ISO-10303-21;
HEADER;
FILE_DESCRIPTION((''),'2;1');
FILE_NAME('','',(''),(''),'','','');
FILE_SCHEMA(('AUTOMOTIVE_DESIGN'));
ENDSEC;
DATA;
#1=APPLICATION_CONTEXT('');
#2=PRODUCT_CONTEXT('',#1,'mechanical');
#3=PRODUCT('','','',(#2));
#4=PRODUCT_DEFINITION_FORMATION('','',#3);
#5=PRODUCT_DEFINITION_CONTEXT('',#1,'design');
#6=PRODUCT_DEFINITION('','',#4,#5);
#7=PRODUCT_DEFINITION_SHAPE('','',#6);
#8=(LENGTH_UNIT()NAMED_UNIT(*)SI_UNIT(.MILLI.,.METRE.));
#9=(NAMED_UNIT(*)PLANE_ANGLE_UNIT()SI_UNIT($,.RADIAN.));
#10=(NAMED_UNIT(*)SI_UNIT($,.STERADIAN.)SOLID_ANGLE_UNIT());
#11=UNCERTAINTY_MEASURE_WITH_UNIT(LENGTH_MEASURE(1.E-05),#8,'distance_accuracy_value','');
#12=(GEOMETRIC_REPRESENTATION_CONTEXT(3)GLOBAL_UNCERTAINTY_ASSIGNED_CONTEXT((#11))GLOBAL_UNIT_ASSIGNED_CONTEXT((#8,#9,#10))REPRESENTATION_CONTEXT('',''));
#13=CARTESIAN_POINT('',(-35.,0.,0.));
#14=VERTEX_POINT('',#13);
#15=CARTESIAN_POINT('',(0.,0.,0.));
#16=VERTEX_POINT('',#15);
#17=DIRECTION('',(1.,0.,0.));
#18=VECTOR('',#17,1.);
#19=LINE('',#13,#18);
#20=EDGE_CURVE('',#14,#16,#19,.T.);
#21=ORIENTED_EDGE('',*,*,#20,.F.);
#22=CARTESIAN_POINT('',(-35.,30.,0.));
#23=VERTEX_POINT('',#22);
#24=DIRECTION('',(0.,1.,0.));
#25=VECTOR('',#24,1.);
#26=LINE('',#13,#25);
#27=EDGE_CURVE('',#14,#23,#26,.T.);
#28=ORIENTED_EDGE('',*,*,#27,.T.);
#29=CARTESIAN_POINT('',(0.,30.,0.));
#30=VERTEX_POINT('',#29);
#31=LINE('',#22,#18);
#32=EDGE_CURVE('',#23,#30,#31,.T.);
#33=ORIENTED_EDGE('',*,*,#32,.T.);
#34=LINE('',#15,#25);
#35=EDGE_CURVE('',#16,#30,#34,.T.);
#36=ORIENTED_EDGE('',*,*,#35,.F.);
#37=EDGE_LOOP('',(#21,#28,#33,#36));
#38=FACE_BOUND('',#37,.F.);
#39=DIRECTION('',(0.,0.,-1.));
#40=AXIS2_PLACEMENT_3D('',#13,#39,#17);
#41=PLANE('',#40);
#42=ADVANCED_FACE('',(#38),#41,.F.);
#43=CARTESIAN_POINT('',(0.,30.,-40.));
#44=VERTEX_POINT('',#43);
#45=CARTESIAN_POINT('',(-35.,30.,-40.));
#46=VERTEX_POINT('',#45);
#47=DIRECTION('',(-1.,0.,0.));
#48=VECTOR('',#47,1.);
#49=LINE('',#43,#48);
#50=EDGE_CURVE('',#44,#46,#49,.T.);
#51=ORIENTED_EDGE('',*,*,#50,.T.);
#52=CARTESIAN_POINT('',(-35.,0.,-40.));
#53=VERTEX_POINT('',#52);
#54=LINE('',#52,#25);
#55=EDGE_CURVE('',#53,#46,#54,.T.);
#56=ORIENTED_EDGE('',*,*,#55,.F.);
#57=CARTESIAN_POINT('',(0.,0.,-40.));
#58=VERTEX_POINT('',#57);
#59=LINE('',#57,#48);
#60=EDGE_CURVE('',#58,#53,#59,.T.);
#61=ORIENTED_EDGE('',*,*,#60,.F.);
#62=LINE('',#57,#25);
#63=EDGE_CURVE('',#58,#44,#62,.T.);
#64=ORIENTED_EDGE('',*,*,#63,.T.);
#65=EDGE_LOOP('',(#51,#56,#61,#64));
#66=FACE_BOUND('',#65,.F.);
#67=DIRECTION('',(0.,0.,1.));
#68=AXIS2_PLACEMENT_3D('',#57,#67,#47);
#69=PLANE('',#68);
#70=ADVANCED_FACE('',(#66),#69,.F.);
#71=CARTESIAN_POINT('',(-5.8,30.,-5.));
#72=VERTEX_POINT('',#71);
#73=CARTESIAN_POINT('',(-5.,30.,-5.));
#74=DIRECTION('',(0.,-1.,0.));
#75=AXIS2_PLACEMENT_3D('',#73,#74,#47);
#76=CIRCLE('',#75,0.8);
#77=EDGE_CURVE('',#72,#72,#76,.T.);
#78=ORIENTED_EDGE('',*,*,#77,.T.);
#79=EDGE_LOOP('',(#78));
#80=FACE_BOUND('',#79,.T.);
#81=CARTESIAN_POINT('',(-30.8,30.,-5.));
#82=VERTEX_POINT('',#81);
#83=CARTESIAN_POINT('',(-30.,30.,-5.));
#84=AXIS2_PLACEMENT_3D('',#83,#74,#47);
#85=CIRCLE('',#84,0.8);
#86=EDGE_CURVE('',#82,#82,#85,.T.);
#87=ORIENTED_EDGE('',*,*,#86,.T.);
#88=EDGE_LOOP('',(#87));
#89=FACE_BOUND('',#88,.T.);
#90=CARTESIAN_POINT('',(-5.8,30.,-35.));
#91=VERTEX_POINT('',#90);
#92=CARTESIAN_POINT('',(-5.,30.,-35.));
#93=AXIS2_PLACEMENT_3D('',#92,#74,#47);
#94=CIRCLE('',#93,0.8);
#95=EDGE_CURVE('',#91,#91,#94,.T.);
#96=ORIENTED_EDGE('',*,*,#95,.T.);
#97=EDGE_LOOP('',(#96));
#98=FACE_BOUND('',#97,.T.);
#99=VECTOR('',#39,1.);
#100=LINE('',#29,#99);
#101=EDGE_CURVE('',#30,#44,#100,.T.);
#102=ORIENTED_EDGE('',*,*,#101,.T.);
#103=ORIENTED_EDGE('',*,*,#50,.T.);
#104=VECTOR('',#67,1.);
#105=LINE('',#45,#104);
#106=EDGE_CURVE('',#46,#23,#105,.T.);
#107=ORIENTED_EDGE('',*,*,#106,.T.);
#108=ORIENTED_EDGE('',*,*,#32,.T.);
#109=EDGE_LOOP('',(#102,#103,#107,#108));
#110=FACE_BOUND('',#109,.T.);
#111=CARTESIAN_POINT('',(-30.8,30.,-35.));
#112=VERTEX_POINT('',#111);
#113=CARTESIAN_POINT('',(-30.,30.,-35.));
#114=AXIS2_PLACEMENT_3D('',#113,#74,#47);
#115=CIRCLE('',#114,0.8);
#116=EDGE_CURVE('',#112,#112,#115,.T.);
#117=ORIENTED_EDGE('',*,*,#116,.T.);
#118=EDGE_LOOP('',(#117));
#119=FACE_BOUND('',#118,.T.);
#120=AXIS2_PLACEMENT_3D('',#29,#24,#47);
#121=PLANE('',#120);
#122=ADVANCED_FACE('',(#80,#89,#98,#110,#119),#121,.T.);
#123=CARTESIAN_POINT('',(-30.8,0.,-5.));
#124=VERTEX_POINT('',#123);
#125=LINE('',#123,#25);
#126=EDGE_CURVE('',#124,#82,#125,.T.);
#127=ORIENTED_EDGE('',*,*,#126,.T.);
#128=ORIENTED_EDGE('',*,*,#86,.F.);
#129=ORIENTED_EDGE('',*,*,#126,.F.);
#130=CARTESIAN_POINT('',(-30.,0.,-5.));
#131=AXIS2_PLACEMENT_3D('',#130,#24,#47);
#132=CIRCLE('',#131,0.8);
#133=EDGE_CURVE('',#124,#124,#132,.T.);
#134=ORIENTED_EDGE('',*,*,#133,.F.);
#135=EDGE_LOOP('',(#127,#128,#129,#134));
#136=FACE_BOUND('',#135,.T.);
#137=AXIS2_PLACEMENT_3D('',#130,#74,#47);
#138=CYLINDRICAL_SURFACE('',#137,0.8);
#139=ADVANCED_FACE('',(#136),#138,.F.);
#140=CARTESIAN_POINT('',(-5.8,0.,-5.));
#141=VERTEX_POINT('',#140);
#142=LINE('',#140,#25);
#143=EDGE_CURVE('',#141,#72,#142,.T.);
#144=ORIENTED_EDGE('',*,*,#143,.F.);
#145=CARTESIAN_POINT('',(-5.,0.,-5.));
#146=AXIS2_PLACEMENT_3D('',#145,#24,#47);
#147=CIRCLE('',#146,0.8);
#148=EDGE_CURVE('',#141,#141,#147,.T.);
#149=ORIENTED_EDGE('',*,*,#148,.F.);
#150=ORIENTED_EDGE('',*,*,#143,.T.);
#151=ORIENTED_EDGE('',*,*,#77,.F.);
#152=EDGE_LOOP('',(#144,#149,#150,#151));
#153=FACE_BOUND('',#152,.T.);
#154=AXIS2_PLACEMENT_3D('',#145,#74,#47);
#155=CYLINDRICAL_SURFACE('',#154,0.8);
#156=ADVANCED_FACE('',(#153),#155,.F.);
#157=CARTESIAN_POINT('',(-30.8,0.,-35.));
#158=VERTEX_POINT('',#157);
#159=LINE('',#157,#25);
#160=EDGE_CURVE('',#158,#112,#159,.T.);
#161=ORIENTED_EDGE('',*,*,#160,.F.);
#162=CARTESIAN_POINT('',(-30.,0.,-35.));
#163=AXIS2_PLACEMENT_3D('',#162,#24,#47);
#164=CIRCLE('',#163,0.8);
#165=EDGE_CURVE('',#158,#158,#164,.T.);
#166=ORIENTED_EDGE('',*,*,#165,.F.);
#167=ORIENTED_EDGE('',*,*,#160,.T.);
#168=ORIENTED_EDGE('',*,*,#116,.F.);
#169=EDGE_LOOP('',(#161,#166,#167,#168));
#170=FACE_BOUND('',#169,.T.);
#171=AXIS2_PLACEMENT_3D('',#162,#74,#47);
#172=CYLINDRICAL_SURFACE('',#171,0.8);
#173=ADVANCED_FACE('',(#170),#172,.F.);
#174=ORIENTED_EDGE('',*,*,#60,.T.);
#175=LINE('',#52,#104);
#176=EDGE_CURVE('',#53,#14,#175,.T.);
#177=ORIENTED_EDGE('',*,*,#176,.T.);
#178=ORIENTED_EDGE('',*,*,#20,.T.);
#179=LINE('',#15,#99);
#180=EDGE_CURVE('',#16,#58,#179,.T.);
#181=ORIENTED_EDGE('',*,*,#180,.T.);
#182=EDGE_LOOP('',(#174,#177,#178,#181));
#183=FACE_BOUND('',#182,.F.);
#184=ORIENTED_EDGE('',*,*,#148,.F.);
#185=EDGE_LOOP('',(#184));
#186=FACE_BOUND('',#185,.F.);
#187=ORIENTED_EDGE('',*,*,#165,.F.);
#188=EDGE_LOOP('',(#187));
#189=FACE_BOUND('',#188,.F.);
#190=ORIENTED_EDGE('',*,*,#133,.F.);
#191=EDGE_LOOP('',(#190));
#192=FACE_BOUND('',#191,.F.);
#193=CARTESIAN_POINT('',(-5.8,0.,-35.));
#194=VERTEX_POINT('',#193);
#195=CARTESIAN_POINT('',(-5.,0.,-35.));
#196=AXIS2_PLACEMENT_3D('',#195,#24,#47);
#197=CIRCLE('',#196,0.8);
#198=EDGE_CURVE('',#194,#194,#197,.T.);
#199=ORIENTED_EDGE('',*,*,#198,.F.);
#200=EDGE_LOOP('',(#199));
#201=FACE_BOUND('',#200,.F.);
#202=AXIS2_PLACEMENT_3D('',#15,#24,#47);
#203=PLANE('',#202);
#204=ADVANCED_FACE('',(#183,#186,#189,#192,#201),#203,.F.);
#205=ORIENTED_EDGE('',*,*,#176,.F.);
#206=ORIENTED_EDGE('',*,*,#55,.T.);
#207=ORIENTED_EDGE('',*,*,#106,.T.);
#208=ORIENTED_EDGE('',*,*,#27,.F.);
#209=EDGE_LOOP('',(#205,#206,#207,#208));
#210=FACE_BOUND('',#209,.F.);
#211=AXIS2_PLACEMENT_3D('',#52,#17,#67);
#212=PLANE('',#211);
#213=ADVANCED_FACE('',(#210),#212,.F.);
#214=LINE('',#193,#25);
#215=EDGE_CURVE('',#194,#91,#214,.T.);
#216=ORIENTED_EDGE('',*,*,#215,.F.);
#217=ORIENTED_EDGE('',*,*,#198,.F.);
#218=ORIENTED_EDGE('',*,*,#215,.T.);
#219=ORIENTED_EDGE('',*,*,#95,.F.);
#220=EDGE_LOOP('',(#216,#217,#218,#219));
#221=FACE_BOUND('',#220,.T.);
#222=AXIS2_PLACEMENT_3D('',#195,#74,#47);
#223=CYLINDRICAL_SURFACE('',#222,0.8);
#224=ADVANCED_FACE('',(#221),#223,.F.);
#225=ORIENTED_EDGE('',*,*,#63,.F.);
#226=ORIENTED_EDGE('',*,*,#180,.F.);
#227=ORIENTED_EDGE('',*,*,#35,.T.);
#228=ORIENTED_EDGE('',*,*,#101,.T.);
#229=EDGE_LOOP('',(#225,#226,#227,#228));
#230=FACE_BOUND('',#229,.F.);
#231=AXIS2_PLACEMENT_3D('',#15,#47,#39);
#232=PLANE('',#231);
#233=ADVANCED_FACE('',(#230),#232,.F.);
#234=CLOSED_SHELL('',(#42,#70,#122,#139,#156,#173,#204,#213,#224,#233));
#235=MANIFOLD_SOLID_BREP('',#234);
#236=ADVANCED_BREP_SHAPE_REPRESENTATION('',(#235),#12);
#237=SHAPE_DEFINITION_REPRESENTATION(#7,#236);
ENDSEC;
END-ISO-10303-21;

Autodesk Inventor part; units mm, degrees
ref_plane "YZ Plane" through (0, 0, 0) normal (1, 0, 0) x (0, 1, 0)
ref_plane "XZ Plane" through (0, 0, 0) normal (0, 1, 0) x (-1, 0, 0)
ref_plane "XY Plane" through (0, 0, 0) normal (0, 0, 1) x (1, 0, 0)
sketch "スケッチ1" plane through (0, 0, 0) normal (0, 1, 0) x (-1, 0, 0)
  line L0 (35, 0) -> (0, 0)
  line L1 (0, 0) -> (0, -40)
  line L2 (0, -40) -> (35, -40)
  line L3 (35, -40) -> (35, 0)
  line L4 (30, -5) -> (5, -5)
  line L5 (5, -5) -> (5, -35)
  line L6 (5, -35) -> (30, -35)
  line L7 (30, -35) -> (30, -5)
  circle A0 centre (30, -5) radius 0.8
  circle A1 centre (30, -35) radius 0.8
  circle A2 centre (5, -35) radius 0.8
  circle A3 centre (5, -5) radius 0.8
  dimension "d0" = 25
  dimension "d1" = 30
  dimension "d2" = 5
  dimension "d3" = 5
  dimension "d4" = 5
  dimension "d5" = 5
  dimension "d6" = 1.6
  dimension "d7" = 1.6
  dimension "d8" = 1.6
  dimension "d9" = 1.6
extrude "押し出し1" add sketch "スケッチ1" along normal blind 30 contours L3 L2 L1 L0 | L4 A0 L7 A1 L6 A2 L5 A3
equation "\"d3\" = d2"
equation "\"d4\" = d2"
equation "\"d5\" = d2"
properties part number "board"
